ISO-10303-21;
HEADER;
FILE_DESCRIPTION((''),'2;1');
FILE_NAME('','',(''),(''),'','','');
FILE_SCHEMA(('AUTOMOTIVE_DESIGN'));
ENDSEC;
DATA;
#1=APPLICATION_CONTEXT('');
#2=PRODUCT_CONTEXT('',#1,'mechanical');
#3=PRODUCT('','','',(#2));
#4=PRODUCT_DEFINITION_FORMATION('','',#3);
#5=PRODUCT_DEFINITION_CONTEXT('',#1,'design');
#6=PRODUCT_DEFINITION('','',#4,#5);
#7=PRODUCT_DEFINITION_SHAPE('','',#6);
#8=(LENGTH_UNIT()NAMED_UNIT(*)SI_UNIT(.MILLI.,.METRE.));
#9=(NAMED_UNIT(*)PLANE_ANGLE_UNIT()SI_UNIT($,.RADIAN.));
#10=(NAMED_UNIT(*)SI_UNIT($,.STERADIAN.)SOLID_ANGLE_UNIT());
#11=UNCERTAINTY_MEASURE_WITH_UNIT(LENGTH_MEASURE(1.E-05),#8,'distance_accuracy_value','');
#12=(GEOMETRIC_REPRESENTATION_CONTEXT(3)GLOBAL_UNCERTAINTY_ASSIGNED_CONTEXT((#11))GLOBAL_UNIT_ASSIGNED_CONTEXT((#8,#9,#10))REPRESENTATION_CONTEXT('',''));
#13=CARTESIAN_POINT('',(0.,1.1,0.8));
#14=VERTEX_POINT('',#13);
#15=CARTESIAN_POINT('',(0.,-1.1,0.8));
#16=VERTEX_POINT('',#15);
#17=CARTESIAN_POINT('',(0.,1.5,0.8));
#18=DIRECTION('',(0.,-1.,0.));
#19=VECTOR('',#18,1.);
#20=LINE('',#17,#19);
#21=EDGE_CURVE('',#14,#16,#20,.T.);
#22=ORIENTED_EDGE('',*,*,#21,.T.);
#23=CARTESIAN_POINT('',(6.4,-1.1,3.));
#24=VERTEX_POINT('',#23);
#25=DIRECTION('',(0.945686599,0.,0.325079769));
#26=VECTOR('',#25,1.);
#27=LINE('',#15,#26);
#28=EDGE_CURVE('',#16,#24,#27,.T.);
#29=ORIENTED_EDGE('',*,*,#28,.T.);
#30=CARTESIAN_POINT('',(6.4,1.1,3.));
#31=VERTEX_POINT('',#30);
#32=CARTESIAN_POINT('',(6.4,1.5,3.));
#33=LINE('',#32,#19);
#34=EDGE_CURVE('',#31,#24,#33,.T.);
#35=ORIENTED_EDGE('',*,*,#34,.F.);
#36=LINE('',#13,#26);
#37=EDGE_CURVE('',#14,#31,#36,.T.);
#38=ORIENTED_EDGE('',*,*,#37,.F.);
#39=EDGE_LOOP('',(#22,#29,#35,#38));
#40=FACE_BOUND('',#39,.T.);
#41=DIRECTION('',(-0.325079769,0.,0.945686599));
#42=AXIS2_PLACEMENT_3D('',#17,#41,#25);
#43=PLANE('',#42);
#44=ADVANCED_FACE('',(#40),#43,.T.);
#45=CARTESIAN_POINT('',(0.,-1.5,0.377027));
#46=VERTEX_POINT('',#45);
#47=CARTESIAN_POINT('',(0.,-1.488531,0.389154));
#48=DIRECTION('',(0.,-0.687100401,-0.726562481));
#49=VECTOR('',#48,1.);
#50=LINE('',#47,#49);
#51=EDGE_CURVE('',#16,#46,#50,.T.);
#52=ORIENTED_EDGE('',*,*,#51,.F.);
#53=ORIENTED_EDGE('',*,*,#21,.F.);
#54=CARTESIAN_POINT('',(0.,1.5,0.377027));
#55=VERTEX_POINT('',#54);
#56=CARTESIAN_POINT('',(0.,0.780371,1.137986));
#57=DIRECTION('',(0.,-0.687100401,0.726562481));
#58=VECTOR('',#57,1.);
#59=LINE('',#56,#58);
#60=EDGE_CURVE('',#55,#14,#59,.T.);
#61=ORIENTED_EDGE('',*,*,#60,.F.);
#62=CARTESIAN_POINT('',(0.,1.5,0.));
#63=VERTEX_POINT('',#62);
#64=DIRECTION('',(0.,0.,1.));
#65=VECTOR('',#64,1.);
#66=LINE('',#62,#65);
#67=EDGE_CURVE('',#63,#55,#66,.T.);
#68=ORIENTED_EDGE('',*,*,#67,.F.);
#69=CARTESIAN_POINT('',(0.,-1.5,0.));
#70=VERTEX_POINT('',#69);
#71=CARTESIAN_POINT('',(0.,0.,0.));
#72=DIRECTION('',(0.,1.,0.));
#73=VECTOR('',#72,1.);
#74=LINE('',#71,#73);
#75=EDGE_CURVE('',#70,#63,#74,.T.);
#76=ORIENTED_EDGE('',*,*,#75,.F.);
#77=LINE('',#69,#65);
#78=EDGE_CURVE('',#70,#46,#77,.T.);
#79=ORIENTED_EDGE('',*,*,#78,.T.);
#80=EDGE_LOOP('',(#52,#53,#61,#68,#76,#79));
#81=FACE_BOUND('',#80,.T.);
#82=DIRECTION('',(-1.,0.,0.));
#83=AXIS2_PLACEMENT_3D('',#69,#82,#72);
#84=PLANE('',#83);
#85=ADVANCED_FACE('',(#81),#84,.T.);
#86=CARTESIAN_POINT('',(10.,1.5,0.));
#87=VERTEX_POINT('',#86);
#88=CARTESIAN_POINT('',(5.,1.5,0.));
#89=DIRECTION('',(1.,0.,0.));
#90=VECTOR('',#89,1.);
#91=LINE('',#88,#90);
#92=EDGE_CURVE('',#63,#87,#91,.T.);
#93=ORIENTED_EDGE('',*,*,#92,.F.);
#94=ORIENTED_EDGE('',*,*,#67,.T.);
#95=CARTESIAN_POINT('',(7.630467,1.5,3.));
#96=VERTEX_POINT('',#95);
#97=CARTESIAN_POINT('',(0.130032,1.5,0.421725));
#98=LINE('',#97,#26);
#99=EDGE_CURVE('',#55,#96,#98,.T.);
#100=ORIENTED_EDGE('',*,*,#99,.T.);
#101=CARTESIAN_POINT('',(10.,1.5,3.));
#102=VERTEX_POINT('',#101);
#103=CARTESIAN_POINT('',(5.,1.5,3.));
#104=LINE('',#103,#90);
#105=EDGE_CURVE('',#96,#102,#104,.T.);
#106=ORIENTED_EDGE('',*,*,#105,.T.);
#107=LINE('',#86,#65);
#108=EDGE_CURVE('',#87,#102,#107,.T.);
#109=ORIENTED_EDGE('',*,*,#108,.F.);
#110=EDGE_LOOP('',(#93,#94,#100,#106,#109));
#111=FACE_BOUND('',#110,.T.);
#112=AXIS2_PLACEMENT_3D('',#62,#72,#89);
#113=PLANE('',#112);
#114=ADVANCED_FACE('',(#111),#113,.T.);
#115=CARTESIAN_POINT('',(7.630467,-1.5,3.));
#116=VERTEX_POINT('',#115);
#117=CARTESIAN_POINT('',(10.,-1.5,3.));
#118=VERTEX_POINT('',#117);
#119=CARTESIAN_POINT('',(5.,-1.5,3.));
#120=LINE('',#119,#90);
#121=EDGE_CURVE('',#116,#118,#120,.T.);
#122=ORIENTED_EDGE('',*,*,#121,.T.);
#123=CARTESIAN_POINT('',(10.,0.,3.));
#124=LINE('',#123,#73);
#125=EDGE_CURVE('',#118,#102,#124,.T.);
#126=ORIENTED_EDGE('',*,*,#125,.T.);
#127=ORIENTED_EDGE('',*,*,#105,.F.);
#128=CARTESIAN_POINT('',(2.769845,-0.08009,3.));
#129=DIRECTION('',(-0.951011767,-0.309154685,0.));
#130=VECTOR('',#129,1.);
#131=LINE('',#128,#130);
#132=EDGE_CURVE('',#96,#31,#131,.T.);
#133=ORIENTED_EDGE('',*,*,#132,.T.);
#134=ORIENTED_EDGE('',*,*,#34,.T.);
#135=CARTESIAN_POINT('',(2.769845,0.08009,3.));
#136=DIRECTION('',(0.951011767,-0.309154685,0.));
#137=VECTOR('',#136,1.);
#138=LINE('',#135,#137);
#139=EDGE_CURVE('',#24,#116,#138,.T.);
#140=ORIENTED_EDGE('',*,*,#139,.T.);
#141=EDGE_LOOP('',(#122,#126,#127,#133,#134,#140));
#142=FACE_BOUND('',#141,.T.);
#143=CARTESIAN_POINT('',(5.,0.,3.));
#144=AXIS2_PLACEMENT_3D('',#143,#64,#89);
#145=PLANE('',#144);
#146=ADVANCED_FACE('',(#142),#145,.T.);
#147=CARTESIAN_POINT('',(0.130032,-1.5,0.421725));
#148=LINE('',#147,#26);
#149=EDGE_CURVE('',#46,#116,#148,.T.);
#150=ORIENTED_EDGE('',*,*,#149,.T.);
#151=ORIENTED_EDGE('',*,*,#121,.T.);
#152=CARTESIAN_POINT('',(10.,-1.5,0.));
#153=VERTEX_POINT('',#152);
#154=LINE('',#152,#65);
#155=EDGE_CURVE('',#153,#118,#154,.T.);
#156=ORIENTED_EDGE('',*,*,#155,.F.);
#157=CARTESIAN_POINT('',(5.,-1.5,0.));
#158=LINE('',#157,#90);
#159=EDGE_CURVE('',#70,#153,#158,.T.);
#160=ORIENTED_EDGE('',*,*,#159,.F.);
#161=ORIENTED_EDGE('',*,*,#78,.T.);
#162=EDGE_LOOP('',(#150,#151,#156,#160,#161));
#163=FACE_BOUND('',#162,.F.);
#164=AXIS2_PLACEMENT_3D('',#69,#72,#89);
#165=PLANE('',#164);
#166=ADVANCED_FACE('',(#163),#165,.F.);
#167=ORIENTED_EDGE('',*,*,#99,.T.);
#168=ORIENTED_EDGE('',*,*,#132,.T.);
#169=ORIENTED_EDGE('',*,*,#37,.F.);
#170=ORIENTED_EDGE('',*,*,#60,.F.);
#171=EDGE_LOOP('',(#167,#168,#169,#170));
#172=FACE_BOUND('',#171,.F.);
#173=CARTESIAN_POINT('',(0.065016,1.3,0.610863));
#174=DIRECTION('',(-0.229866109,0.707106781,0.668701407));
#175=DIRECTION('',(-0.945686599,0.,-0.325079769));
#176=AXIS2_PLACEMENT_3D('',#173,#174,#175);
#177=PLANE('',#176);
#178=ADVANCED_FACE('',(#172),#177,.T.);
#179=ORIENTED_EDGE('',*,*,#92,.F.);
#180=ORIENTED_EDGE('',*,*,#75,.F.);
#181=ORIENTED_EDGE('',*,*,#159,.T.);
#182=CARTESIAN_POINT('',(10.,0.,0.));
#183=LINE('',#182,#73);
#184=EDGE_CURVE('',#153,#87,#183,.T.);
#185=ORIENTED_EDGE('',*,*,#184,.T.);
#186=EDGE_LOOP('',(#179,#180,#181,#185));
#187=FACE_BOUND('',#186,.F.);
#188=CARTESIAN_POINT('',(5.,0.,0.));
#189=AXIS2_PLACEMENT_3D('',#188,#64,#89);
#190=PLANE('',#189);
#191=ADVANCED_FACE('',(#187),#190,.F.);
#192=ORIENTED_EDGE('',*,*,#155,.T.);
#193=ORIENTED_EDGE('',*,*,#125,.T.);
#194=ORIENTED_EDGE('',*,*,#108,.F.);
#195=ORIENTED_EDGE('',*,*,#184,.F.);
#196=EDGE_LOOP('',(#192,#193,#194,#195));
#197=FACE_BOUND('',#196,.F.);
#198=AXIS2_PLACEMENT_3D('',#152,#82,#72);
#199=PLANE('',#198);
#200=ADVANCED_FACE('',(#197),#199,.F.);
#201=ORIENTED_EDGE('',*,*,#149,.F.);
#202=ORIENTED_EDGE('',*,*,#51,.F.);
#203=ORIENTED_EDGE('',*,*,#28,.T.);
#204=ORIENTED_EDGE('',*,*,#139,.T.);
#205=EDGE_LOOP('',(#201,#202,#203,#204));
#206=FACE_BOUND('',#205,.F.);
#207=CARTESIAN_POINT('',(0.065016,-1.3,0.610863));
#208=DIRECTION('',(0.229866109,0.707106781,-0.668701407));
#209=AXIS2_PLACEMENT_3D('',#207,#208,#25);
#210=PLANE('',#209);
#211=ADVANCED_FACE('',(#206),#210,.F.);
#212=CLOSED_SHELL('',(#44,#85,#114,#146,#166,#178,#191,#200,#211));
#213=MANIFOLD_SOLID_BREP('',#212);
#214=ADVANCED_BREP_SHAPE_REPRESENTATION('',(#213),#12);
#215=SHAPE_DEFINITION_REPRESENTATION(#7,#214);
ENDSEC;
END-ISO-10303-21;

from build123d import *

# Parameters (mm, degrees)
SKETCH019_W     = 10
SKETCH019_H     = 3
PAD011_DEPTH    = 3
POCKET007_DEPTH = 5
CHAMFER004_SIZE = 0.4


with BuildPart() as part:
    # Sketch019 → Pad011 (new body)
    with BuildSketch(Plane.XY):
        with Locations((5, 0)):
            Rectangle(SKETCH019_W, SKETCH019_H)
    extrude(amount=PAD011_DEPTH)

    # Sketch020 (on Face1 of Pad011) → Pocket007 (cut)
    with BuildSketch(Plane(origin=(0, 1.5, 0), x_dir=(-1, 0, 0), z_dir=(0, 1, 0))):
        Polygon((0, 0.8), (-6.4, 3), (0, 3), align=None)
    extrude(amount=-POCKET007_DEPTH, mode=Mode.SUBTRACT)

    # Chamfer004
    chamfer004_edges = [part.edges().sort_by_distance(p)[0] for p in [
        (3.2, 1.5, 1.9),
        (3.2, -1.5, 1.9),
    ]]
    chamfer(chamfer004_edges, length=CHAMFER004_SIZE)


solid = part.part
